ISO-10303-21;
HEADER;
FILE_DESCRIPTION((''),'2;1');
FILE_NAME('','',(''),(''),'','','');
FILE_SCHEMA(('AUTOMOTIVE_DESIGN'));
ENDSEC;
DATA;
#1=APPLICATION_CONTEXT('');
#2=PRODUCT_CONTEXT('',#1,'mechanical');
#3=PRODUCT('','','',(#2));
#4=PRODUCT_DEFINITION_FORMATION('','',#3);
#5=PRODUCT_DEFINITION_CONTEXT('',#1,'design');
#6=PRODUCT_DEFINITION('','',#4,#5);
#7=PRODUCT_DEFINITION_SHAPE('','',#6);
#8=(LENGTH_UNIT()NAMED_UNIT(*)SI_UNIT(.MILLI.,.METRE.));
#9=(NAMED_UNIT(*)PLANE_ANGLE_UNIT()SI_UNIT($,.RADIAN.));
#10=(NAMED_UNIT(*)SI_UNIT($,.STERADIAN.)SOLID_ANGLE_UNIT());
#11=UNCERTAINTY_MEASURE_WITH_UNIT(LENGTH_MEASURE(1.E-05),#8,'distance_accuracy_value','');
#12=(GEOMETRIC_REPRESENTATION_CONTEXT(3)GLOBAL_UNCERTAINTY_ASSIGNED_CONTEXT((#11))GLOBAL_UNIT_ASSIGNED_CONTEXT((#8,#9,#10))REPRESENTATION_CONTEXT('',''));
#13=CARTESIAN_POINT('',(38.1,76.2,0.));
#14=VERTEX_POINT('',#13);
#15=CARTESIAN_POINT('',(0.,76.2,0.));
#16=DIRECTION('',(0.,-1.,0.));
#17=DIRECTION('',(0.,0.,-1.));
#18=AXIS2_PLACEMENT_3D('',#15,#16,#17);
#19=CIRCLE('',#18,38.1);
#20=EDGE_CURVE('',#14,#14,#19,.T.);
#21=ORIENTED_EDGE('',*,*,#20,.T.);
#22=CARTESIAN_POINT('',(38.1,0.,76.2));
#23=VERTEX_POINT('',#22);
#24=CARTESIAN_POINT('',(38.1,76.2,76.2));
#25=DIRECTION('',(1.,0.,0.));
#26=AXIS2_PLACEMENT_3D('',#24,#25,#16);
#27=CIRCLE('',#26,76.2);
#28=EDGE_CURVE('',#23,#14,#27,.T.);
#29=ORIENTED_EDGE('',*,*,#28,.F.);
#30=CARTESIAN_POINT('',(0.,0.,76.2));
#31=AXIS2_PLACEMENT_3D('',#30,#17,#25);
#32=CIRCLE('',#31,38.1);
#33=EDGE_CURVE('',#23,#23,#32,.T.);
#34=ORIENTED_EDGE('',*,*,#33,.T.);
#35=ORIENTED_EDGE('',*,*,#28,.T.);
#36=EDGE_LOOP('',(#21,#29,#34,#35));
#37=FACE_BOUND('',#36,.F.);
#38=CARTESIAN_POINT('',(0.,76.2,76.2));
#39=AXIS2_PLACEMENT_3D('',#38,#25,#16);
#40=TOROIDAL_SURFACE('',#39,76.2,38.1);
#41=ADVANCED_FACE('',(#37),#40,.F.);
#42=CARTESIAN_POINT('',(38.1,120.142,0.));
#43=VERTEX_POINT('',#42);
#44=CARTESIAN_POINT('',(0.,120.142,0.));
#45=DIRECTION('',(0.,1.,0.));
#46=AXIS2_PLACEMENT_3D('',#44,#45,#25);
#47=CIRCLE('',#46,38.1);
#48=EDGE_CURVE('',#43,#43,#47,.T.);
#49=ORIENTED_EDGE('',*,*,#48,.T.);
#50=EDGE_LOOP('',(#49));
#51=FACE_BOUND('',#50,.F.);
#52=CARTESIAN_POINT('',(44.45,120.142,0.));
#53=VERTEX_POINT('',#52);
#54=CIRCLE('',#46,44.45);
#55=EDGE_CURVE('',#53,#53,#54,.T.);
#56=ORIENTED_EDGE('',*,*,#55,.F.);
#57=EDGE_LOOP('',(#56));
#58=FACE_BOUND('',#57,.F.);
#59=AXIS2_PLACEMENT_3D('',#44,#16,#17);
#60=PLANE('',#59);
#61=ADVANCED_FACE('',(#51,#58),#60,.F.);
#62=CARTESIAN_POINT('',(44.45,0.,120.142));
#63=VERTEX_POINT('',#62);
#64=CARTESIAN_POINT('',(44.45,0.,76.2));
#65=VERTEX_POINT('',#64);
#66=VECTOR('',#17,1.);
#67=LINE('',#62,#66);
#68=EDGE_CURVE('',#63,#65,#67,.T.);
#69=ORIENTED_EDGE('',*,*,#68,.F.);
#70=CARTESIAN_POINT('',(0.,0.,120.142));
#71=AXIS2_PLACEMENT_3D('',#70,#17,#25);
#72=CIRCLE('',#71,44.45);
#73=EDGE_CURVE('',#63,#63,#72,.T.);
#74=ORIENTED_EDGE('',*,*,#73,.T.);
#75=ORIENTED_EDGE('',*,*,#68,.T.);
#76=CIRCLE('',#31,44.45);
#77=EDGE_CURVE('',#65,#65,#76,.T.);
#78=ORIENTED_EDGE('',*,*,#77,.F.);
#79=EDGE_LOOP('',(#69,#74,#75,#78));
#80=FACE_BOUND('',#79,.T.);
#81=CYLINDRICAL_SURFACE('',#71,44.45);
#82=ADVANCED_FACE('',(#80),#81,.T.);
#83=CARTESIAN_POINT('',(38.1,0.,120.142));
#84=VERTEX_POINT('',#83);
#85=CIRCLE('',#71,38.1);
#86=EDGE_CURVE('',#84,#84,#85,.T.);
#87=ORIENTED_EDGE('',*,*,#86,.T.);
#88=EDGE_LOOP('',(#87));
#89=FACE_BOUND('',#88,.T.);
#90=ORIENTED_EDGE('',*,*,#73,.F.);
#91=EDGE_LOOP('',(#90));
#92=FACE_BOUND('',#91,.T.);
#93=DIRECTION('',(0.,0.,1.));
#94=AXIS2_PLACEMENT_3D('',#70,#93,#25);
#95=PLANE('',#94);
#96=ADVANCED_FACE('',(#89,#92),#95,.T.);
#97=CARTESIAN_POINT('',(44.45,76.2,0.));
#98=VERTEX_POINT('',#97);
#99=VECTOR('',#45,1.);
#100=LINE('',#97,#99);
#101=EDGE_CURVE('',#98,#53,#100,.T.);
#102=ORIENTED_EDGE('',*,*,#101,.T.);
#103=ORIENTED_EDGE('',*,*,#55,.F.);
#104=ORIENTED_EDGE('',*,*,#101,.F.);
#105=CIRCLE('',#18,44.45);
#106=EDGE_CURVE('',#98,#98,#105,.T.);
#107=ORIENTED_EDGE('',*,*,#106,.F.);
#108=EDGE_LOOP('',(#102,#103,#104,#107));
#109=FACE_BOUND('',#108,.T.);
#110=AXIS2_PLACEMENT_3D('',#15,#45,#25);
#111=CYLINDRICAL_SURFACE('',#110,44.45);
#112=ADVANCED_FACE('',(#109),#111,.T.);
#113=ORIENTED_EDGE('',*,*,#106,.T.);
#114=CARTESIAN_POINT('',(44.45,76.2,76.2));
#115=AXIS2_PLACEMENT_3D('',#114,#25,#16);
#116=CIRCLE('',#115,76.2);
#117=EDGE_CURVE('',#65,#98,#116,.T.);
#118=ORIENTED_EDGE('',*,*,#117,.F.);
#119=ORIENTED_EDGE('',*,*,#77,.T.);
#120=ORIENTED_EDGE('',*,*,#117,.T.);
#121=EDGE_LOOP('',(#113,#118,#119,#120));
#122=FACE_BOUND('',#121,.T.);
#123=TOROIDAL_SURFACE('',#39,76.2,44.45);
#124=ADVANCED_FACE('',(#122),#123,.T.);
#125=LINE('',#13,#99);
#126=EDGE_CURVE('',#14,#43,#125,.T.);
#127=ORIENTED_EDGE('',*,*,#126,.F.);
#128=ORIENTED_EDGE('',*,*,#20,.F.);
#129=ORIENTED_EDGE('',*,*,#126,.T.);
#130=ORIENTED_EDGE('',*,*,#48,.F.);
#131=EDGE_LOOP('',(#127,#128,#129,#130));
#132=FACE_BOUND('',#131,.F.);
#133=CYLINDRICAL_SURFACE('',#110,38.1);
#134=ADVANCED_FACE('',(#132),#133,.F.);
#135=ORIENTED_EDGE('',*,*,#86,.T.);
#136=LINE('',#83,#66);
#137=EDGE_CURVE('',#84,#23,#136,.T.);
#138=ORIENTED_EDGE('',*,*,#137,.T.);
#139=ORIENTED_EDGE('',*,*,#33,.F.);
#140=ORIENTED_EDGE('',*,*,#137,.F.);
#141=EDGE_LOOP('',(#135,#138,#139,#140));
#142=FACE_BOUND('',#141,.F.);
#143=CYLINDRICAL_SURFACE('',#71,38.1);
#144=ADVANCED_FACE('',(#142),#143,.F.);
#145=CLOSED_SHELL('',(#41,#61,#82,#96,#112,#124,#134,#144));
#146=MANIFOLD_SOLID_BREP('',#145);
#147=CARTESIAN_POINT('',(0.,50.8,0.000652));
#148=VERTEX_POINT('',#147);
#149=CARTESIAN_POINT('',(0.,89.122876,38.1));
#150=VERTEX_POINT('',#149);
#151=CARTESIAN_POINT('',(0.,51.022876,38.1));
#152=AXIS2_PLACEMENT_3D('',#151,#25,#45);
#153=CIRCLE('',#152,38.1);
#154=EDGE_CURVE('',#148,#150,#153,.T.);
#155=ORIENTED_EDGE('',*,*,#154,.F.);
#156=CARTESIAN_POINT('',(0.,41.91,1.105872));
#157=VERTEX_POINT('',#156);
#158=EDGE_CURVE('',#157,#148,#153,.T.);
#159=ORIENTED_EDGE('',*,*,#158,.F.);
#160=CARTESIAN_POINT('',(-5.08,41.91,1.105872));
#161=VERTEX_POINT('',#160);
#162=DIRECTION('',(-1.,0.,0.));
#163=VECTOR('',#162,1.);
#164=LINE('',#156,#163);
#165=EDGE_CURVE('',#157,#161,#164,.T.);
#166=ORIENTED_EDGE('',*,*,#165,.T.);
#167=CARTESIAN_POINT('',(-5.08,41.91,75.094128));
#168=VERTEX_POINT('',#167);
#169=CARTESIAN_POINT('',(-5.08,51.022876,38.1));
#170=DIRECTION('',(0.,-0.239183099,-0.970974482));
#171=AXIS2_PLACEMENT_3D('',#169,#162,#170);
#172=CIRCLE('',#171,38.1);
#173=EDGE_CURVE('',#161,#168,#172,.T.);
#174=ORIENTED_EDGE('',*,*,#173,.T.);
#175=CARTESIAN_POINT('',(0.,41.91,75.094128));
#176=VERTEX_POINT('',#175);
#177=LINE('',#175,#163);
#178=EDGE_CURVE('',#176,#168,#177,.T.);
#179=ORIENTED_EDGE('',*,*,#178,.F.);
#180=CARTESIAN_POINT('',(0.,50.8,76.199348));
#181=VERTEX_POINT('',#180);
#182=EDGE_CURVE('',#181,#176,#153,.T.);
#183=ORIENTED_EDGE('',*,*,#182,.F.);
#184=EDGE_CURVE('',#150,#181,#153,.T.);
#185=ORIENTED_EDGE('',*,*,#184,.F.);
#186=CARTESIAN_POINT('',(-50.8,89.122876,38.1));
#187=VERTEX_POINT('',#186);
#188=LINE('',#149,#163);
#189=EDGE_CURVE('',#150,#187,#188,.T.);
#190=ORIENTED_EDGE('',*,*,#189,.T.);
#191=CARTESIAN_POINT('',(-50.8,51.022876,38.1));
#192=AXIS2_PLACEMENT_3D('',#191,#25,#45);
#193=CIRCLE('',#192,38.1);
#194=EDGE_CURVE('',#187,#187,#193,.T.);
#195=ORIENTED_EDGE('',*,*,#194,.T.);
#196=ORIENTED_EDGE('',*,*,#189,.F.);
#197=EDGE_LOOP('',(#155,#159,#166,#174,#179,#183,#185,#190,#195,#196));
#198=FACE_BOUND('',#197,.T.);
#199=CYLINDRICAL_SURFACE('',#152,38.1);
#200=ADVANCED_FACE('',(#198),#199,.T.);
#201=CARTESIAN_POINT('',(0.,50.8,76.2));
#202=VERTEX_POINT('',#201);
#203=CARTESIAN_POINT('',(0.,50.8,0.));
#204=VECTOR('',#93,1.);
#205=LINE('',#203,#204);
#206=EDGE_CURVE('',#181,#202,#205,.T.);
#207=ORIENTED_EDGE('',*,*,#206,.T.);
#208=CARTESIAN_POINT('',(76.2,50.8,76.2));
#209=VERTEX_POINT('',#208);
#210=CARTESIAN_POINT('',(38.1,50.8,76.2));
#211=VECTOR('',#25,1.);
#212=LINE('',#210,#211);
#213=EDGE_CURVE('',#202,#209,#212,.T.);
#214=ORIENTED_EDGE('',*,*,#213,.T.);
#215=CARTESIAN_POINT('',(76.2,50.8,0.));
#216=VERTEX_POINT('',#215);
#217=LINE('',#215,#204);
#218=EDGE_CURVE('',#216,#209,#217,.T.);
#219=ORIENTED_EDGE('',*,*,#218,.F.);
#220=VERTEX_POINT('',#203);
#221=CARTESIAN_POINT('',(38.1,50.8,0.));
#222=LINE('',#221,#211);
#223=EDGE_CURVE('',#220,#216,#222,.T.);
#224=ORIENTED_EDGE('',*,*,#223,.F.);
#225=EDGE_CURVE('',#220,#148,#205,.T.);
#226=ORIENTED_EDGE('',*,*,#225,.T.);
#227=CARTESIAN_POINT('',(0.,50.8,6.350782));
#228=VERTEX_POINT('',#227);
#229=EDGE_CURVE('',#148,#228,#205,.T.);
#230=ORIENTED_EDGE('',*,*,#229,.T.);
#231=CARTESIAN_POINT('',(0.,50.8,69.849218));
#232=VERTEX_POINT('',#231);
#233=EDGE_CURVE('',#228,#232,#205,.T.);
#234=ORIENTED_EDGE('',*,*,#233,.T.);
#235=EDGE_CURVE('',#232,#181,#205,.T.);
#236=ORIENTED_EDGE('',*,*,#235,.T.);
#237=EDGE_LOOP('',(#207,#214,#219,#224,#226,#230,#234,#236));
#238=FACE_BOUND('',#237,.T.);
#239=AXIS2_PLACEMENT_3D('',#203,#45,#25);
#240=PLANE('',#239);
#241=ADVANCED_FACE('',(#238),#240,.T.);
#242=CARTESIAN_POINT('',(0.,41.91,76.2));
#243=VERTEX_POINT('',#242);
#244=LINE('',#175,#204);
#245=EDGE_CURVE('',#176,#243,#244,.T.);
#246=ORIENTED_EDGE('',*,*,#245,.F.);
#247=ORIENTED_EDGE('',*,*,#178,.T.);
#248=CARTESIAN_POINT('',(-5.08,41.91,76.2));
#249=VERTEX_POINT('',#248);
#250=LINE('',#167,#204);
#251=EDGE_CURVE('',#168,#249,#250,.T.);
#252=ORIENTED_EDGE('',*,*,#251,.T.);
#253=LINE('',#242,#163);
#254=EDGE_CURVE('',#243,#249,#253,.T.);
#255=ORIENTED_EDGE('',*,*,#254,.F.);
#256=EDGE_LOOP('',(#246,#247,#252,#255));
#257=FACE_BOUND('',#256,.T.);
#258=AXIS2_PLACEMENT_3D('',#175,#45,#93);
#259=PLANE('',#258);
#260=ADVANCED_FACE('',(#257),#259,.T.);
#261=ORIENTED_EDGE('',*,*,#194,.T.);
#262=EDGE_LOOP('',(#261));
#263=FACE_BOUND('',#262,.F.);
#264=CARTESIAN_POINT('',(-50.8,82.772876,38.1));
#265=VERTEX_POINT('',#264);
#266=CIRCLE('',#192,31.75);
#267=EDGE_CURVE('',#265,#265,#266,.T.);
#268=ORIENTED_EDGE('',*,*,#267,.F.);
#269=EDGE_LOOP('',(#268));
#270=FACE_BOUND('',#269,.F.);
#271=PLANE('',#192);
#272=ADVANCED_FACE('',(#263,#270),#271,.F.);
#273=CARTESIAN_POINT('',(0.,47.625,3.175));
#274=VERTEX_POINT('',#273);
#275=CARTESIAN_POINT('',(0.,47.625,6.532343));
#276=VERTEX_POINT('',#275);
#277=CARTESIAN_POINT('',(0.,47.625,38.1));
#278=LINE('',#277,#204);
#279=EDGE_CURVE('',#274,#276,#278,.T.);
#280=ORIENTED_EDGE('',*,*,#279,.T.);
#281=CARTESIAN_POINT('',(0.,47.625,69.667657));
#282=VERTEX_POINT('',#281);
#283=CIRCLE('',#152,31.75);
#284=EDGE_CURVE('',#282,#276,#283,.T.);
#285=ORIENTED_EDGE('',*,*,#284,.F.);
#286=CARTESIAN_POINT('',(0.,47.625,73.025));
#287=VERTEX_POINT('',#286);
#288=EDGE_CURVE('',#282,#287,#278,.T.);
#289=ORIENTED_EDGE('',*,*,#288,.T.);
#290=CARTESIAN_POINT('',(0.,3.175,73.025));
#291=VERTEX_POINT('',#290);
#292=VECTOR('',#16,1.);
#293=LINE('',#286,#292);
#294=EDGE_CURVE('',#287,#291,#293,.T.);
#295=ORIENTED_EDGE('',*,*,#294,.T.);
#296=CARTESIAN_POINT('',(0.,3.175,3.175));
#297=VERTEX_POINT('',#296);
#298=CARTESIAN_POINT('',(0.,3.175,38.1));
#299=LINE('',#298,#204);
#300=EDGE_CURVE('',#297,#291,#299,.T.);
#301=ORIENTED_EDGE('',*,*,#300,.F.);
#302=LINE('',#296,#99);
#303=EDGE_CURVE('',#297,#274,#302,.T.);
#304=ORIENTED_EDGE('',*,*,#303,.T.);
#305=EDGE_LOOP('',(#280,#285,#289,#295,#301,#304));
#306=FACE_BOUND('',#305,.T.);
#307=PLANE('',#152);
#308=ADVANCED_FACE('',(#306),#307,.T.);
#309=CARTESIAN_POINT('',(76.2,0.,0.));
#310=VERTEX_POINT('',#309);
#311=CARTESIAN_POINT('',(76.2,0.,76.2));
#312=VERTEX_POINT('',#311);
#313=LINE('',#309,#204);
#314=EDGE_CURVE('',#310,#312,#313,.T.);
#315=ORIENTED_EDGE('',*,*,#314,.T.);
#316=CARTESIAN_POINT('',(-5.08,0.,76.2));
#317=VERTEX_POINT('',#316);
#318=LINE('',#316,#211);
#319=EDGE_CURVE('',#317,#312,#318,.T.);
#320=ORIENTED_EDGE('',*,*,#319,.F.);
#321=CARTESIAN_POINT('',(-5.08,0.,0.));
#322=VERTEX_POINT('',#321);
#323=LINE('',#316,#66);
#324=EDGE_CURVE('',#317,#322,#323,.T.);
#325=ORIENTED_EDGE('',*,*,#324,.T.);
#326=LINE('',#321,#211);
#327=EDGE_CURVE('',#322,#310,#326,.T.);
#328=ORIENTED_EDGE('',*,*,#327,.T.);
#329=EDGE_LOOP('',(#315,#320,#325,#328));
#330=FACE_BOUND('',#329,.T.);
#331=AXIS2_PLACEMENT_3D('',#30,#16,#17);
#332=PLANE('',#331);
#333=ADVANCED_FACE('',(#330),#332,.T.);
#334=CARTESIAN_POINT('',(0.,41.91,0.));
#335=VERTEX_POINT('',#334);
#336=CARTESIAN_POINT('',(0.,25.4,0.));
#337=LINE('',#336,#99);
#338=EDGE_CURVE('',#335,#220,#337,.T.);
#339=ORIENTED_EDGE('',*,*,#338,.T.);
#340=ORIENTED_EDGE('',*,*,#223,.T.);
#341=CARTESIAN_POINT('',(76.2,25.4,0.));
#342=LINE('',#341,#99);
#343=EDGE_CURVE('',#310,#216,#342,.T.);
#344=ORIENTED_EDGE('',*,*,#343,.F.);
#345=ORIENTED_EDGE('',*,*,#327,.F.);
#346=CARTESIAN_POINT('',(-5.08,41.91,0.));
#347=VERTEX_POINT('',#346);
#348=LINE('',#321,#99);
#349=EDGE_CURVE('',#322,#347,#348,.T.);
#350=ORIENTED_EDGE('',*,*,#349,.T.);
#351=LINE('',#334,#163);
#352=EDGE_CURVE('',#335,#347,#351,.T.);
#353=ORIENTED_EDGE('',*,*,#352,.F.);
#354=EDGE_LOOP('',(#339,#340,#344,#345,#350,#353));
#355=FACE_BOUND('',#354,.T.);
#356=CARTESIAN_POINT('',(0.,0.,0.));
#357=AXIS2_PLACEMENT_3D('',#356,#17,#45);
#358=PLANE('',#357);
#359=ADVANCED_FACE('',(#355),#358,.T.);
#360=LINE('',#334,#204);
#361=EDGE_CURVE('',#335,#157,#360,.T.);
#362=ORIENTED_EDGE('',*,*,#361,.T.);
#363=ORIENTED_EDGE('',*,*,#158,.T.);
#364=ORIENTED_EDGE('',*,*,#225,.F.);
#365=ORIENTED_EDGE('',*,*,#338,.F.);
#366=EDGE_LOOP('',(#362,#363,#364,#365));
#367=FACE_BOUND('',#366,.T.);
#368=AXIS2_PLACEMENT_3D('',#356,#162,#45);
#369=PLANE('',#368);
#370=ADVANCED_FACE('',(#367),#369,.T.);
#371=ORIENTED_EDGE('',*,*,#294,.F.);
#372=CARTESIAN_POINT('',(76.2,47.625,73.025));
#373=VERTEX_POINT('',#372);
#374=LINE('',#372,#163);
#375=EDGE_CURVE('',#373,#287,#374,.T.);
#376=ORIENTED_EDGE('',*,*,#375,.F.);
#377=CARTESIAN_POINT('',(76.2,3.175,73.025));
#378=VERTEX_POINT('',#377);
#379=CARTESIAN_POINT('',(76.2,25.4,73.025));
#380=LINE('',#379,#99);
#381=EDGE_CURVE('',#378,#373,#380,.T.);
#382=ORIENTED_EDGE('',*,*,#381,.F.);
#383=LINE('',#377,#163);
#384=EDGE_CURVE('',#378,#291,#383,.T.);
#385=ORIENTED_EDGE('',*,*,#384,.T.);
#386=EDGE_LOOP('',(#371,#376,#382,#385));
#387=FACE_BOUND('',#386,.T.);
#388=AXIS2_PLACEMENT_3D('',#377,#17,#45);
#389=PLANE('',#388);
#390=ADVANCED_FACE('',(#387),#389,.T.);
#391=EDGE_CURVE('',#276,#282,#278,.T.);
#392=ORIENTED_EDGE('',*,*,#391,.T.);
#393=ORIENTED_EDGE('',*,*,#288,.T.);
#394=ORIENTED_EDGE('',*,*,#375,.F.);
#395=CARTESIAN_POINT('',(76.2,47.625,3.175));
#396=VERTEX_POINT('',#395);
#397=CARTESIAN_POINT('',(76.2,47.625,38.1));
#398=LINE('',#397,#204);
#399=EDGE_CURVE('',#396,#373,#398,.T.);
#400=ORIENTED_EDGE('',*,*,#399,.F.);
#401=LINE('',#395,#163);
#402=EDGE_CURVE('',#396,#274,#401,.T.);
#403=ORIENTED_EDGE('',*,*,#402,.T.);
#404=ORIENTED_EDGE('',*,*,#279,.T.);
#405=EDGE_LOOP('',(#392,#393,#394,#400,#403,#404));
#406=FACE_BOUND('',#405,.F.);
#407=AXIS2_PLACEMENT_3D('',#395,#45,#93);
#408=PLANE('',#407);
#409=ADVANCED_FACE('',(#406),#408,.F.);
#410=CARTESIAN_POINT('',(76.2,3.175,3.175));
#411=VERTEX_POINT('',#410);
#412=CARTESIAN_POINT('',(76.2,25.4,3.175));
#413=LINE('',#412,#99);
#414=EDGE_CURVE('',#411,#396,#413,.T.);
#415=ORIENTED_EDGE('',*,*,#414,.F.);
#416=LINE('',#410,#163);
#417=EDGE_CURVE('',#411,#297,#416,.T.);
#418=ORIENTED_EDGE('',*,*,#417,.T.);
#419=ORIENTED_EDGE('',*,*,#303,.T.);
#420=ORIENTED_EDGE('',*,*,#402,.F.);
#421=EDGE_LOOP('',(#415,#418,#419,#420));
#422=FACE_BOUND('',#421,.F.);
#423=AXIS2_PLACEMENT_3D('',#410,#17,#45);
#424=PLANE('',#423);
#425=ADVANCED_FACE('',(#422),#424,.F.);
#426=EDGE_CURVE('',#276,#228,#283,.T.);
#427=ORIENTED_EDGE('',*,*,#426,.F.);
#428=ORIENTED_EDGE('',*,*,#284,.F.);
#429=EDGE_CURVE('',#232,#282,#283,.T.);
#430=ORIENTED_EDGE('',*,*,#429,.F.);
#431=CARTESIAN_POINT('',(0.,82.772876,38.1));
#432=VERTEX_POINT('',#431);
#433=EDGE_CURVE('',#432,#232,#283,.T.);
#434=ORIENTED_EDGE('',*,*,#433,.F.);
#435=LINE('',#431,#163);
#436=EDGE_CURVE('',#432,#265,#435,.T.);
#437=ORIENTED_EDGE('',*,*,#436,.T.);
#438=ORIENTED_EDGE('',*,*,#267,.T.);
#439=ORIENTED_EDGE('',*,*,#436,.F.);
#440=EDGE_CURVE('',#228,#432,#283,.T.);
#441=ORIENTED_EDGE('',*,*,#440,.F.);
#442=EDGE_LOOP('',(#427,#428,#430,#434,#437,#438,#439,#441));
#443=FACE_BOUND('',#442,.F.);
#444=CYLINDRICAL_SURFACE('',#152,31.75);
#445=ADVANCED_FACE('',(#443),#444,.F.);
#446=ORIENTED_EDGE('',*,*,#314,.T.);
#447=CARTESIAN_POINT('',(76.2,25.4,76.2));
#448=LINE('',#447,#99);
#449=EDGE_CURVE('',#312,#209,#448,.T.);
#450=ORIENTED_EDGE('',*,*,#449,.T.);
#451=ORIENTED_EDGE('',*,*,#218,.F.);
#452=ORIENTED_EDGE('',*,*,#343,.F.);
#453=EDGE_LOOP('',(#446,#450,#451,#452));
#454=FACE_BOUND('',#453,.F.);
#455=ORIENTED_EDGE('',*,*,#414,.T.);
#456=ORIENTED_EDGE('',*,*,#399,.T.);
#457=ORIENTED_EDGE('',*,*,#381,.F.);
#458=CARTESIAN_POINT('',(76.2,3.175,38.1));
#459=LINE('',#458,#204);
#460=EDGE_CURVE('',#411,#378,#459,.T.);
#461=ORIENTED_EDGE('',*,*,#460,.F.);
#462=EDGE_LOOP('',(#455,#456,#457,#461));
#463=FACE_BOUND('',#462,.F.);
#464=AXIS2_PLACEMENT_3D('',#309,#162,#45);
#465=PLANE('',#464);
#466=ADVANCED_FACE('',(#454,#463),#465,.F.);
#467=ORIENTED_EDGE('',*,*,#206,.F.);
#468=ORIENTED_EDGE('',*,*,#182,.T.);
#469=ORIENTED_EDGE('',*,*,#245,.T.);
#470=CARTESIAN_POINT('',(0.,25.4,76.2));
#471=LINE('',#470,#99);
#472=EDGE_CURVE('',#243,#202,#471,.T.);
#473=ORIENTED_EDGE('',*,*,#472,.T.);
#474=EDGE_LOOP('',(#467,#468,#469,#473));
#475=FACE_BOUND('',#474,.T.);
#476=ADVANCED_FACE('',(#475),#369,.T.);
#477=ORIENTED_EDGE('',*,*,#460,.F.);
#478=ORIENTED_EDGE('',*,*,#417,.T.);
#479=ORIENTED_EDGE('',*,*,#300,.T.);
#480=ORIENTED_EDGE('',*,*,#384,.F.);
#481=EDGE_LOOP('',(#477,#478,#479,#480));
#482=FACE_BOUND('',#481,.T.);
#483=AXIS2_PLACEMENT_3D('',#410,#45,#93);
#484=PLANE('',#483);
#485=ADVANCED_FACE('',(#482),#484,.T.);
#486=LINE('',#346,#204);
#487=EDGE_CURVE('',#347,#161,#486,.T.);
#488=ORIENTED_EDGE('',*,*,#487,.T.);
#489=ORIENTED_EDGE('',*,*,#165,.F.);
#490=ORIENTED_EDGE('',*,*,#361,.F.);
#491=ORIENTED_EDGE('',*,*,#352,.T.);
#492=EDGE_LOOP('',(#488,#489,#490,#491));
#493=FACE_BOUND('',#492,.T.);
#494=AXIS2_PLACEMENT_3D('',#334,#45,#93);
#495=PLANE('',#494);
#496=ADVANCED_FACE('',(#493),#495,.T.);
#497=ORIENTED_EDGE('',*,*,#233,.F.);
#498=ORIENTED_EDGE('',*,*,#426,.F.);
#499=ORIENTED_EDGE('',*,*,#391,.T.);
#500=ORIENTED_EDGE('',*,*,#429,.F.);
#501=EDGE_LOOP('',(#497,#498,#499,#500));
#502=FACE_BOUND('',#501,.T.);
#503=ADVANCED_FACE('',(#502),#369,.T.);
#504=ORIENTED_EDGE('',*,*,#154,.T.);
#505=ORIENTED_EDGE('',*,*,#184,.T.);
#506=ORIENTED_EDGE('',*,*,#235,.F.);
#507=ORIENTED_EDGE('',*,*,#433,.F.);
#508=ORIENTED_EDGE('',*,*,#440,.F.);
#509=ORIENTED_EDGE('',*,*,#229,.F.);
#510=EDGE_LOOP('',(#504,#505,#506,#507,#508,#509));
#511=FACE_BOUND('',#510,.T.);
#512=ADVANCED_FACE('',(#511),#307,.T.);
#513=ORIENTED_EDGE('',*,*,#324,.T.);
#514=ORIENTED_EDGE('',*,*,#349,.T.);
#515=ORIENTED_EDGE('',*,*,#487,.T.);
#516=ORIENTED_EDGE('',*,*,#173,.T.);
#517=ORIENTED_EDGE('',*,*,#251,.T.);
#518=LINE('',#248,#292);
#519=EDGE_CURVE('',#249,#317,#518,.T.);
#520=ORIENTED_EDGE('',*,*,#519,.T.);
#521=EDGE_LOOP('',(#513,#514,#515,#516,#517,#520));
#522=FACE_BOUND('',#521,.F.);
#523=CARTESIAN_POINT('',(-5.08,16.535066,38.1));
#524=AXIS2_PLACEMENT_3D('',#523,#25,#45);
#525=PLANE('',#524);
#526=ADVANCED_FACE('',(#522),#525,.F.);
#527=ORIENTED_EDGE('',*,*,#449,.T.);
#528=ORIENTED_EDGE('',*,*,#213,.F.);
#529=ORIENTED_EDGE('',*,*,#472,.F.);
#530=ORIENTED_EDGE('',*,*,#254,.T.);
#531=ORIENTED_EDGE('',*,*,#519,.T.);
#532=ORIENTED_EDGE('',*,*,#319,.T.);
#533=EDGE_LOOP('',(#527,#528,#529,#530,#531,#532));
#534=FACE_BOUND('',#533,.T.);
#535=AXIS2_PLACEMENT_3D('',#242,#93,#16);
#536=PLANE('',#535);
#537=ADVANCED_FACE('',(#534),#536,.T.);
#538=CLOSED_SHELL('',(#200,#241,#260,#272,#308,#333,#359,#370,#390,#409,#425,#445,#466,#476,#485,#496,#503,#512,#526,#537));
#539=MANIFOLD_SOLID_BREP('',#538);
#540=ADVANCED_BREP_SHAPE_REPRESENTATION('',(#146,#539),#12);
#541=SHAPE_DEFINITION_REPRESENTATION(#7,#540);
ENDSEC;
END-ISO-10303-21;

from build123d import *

# Parameters (mm, degrees)
F0_W     = 76.2
F0_H     = 50.8
F1_DEPTH = 76.2
F2_W     = 44.45
F2_H     = 69.85
F3_DEPTH = 76.2
F4_R     = 38.1
F4_R_2   = 31.75
F5_DEPTH = 50.8
F7_DEPTH = 5.08
F10_R    = 44.45
F10_R_2  = 38.1


with BuildPart() as f1:
    # F0 (on Top) → F1 (new body)
    with BuildSketch(Plane.XY):
        with Locations((38.1, 25.4)):
            Rectangle(F0_W, F0_H)
    extrude(amount=F1_DEPTH)

    # F2 (on face) → F3 (cut, through all)
    with BuildSketch(Plane.YZ.offset(76.2)):
        with Locations((25.4, 38.1)):
            Rectangle(F2_W, F2_H)
    extrude(amount=-F3_DEPTH, mode=Mode.SUBTRACT)

    # F4 (on Right) → F5 (join)
    with BuildSketch(Plane.YZ):
        with Locations((51.022876054, 38.1)):
            Circle(F4_R)
        with Locations((51.022876054, 38.1)):
            Circle(F4_R_2, mode=Mode.SUBTRACT)
    extrude(amount=-F5_DEPTH)

    # F6 (on Right) → F7 (join)
    with BuildSketch(Plane.YZ):
        with BuildLine():
            ThreePointArc((41.91, 1.1058722224), (12.922876054, 38.1), (41.91, 75.0941277776))
            Line((41.91, 75.0941277776), (41.91, 76.2))
            Line((41.91, 76.2), (0, 76.2))
            Line((0, 76.2), (0, 0))
            Line((0, 0), (41.91, 0))
            Line((41.91, 0), (41.91, 1.1058722224))
        make_face()
    extrude(amount=-F7_DEPTH)


with BuildPart() as f11:
    # F11: sweep along a path in F8
    with BuildLine(Plane.YZ) as f11_path:
        Line((0, 120.142), (0, 76.2))
        ThreePointArc((0, 76.2), (22.3184632736, 22.3184632736), (76.2, 0))
        Line((76.2, 0), (120.142, 0))
    # F10 (on plane+point) → F11 (sweep)
    with BuildSketch(Plane.XY.offset(120.142)):
        Circle(F10_R)
        Circle(F10_R_2, mode=Mode.SUBTRACT)
    sweep(path=f11_path.line)


solid = Compound([f1.part, f11.part])
